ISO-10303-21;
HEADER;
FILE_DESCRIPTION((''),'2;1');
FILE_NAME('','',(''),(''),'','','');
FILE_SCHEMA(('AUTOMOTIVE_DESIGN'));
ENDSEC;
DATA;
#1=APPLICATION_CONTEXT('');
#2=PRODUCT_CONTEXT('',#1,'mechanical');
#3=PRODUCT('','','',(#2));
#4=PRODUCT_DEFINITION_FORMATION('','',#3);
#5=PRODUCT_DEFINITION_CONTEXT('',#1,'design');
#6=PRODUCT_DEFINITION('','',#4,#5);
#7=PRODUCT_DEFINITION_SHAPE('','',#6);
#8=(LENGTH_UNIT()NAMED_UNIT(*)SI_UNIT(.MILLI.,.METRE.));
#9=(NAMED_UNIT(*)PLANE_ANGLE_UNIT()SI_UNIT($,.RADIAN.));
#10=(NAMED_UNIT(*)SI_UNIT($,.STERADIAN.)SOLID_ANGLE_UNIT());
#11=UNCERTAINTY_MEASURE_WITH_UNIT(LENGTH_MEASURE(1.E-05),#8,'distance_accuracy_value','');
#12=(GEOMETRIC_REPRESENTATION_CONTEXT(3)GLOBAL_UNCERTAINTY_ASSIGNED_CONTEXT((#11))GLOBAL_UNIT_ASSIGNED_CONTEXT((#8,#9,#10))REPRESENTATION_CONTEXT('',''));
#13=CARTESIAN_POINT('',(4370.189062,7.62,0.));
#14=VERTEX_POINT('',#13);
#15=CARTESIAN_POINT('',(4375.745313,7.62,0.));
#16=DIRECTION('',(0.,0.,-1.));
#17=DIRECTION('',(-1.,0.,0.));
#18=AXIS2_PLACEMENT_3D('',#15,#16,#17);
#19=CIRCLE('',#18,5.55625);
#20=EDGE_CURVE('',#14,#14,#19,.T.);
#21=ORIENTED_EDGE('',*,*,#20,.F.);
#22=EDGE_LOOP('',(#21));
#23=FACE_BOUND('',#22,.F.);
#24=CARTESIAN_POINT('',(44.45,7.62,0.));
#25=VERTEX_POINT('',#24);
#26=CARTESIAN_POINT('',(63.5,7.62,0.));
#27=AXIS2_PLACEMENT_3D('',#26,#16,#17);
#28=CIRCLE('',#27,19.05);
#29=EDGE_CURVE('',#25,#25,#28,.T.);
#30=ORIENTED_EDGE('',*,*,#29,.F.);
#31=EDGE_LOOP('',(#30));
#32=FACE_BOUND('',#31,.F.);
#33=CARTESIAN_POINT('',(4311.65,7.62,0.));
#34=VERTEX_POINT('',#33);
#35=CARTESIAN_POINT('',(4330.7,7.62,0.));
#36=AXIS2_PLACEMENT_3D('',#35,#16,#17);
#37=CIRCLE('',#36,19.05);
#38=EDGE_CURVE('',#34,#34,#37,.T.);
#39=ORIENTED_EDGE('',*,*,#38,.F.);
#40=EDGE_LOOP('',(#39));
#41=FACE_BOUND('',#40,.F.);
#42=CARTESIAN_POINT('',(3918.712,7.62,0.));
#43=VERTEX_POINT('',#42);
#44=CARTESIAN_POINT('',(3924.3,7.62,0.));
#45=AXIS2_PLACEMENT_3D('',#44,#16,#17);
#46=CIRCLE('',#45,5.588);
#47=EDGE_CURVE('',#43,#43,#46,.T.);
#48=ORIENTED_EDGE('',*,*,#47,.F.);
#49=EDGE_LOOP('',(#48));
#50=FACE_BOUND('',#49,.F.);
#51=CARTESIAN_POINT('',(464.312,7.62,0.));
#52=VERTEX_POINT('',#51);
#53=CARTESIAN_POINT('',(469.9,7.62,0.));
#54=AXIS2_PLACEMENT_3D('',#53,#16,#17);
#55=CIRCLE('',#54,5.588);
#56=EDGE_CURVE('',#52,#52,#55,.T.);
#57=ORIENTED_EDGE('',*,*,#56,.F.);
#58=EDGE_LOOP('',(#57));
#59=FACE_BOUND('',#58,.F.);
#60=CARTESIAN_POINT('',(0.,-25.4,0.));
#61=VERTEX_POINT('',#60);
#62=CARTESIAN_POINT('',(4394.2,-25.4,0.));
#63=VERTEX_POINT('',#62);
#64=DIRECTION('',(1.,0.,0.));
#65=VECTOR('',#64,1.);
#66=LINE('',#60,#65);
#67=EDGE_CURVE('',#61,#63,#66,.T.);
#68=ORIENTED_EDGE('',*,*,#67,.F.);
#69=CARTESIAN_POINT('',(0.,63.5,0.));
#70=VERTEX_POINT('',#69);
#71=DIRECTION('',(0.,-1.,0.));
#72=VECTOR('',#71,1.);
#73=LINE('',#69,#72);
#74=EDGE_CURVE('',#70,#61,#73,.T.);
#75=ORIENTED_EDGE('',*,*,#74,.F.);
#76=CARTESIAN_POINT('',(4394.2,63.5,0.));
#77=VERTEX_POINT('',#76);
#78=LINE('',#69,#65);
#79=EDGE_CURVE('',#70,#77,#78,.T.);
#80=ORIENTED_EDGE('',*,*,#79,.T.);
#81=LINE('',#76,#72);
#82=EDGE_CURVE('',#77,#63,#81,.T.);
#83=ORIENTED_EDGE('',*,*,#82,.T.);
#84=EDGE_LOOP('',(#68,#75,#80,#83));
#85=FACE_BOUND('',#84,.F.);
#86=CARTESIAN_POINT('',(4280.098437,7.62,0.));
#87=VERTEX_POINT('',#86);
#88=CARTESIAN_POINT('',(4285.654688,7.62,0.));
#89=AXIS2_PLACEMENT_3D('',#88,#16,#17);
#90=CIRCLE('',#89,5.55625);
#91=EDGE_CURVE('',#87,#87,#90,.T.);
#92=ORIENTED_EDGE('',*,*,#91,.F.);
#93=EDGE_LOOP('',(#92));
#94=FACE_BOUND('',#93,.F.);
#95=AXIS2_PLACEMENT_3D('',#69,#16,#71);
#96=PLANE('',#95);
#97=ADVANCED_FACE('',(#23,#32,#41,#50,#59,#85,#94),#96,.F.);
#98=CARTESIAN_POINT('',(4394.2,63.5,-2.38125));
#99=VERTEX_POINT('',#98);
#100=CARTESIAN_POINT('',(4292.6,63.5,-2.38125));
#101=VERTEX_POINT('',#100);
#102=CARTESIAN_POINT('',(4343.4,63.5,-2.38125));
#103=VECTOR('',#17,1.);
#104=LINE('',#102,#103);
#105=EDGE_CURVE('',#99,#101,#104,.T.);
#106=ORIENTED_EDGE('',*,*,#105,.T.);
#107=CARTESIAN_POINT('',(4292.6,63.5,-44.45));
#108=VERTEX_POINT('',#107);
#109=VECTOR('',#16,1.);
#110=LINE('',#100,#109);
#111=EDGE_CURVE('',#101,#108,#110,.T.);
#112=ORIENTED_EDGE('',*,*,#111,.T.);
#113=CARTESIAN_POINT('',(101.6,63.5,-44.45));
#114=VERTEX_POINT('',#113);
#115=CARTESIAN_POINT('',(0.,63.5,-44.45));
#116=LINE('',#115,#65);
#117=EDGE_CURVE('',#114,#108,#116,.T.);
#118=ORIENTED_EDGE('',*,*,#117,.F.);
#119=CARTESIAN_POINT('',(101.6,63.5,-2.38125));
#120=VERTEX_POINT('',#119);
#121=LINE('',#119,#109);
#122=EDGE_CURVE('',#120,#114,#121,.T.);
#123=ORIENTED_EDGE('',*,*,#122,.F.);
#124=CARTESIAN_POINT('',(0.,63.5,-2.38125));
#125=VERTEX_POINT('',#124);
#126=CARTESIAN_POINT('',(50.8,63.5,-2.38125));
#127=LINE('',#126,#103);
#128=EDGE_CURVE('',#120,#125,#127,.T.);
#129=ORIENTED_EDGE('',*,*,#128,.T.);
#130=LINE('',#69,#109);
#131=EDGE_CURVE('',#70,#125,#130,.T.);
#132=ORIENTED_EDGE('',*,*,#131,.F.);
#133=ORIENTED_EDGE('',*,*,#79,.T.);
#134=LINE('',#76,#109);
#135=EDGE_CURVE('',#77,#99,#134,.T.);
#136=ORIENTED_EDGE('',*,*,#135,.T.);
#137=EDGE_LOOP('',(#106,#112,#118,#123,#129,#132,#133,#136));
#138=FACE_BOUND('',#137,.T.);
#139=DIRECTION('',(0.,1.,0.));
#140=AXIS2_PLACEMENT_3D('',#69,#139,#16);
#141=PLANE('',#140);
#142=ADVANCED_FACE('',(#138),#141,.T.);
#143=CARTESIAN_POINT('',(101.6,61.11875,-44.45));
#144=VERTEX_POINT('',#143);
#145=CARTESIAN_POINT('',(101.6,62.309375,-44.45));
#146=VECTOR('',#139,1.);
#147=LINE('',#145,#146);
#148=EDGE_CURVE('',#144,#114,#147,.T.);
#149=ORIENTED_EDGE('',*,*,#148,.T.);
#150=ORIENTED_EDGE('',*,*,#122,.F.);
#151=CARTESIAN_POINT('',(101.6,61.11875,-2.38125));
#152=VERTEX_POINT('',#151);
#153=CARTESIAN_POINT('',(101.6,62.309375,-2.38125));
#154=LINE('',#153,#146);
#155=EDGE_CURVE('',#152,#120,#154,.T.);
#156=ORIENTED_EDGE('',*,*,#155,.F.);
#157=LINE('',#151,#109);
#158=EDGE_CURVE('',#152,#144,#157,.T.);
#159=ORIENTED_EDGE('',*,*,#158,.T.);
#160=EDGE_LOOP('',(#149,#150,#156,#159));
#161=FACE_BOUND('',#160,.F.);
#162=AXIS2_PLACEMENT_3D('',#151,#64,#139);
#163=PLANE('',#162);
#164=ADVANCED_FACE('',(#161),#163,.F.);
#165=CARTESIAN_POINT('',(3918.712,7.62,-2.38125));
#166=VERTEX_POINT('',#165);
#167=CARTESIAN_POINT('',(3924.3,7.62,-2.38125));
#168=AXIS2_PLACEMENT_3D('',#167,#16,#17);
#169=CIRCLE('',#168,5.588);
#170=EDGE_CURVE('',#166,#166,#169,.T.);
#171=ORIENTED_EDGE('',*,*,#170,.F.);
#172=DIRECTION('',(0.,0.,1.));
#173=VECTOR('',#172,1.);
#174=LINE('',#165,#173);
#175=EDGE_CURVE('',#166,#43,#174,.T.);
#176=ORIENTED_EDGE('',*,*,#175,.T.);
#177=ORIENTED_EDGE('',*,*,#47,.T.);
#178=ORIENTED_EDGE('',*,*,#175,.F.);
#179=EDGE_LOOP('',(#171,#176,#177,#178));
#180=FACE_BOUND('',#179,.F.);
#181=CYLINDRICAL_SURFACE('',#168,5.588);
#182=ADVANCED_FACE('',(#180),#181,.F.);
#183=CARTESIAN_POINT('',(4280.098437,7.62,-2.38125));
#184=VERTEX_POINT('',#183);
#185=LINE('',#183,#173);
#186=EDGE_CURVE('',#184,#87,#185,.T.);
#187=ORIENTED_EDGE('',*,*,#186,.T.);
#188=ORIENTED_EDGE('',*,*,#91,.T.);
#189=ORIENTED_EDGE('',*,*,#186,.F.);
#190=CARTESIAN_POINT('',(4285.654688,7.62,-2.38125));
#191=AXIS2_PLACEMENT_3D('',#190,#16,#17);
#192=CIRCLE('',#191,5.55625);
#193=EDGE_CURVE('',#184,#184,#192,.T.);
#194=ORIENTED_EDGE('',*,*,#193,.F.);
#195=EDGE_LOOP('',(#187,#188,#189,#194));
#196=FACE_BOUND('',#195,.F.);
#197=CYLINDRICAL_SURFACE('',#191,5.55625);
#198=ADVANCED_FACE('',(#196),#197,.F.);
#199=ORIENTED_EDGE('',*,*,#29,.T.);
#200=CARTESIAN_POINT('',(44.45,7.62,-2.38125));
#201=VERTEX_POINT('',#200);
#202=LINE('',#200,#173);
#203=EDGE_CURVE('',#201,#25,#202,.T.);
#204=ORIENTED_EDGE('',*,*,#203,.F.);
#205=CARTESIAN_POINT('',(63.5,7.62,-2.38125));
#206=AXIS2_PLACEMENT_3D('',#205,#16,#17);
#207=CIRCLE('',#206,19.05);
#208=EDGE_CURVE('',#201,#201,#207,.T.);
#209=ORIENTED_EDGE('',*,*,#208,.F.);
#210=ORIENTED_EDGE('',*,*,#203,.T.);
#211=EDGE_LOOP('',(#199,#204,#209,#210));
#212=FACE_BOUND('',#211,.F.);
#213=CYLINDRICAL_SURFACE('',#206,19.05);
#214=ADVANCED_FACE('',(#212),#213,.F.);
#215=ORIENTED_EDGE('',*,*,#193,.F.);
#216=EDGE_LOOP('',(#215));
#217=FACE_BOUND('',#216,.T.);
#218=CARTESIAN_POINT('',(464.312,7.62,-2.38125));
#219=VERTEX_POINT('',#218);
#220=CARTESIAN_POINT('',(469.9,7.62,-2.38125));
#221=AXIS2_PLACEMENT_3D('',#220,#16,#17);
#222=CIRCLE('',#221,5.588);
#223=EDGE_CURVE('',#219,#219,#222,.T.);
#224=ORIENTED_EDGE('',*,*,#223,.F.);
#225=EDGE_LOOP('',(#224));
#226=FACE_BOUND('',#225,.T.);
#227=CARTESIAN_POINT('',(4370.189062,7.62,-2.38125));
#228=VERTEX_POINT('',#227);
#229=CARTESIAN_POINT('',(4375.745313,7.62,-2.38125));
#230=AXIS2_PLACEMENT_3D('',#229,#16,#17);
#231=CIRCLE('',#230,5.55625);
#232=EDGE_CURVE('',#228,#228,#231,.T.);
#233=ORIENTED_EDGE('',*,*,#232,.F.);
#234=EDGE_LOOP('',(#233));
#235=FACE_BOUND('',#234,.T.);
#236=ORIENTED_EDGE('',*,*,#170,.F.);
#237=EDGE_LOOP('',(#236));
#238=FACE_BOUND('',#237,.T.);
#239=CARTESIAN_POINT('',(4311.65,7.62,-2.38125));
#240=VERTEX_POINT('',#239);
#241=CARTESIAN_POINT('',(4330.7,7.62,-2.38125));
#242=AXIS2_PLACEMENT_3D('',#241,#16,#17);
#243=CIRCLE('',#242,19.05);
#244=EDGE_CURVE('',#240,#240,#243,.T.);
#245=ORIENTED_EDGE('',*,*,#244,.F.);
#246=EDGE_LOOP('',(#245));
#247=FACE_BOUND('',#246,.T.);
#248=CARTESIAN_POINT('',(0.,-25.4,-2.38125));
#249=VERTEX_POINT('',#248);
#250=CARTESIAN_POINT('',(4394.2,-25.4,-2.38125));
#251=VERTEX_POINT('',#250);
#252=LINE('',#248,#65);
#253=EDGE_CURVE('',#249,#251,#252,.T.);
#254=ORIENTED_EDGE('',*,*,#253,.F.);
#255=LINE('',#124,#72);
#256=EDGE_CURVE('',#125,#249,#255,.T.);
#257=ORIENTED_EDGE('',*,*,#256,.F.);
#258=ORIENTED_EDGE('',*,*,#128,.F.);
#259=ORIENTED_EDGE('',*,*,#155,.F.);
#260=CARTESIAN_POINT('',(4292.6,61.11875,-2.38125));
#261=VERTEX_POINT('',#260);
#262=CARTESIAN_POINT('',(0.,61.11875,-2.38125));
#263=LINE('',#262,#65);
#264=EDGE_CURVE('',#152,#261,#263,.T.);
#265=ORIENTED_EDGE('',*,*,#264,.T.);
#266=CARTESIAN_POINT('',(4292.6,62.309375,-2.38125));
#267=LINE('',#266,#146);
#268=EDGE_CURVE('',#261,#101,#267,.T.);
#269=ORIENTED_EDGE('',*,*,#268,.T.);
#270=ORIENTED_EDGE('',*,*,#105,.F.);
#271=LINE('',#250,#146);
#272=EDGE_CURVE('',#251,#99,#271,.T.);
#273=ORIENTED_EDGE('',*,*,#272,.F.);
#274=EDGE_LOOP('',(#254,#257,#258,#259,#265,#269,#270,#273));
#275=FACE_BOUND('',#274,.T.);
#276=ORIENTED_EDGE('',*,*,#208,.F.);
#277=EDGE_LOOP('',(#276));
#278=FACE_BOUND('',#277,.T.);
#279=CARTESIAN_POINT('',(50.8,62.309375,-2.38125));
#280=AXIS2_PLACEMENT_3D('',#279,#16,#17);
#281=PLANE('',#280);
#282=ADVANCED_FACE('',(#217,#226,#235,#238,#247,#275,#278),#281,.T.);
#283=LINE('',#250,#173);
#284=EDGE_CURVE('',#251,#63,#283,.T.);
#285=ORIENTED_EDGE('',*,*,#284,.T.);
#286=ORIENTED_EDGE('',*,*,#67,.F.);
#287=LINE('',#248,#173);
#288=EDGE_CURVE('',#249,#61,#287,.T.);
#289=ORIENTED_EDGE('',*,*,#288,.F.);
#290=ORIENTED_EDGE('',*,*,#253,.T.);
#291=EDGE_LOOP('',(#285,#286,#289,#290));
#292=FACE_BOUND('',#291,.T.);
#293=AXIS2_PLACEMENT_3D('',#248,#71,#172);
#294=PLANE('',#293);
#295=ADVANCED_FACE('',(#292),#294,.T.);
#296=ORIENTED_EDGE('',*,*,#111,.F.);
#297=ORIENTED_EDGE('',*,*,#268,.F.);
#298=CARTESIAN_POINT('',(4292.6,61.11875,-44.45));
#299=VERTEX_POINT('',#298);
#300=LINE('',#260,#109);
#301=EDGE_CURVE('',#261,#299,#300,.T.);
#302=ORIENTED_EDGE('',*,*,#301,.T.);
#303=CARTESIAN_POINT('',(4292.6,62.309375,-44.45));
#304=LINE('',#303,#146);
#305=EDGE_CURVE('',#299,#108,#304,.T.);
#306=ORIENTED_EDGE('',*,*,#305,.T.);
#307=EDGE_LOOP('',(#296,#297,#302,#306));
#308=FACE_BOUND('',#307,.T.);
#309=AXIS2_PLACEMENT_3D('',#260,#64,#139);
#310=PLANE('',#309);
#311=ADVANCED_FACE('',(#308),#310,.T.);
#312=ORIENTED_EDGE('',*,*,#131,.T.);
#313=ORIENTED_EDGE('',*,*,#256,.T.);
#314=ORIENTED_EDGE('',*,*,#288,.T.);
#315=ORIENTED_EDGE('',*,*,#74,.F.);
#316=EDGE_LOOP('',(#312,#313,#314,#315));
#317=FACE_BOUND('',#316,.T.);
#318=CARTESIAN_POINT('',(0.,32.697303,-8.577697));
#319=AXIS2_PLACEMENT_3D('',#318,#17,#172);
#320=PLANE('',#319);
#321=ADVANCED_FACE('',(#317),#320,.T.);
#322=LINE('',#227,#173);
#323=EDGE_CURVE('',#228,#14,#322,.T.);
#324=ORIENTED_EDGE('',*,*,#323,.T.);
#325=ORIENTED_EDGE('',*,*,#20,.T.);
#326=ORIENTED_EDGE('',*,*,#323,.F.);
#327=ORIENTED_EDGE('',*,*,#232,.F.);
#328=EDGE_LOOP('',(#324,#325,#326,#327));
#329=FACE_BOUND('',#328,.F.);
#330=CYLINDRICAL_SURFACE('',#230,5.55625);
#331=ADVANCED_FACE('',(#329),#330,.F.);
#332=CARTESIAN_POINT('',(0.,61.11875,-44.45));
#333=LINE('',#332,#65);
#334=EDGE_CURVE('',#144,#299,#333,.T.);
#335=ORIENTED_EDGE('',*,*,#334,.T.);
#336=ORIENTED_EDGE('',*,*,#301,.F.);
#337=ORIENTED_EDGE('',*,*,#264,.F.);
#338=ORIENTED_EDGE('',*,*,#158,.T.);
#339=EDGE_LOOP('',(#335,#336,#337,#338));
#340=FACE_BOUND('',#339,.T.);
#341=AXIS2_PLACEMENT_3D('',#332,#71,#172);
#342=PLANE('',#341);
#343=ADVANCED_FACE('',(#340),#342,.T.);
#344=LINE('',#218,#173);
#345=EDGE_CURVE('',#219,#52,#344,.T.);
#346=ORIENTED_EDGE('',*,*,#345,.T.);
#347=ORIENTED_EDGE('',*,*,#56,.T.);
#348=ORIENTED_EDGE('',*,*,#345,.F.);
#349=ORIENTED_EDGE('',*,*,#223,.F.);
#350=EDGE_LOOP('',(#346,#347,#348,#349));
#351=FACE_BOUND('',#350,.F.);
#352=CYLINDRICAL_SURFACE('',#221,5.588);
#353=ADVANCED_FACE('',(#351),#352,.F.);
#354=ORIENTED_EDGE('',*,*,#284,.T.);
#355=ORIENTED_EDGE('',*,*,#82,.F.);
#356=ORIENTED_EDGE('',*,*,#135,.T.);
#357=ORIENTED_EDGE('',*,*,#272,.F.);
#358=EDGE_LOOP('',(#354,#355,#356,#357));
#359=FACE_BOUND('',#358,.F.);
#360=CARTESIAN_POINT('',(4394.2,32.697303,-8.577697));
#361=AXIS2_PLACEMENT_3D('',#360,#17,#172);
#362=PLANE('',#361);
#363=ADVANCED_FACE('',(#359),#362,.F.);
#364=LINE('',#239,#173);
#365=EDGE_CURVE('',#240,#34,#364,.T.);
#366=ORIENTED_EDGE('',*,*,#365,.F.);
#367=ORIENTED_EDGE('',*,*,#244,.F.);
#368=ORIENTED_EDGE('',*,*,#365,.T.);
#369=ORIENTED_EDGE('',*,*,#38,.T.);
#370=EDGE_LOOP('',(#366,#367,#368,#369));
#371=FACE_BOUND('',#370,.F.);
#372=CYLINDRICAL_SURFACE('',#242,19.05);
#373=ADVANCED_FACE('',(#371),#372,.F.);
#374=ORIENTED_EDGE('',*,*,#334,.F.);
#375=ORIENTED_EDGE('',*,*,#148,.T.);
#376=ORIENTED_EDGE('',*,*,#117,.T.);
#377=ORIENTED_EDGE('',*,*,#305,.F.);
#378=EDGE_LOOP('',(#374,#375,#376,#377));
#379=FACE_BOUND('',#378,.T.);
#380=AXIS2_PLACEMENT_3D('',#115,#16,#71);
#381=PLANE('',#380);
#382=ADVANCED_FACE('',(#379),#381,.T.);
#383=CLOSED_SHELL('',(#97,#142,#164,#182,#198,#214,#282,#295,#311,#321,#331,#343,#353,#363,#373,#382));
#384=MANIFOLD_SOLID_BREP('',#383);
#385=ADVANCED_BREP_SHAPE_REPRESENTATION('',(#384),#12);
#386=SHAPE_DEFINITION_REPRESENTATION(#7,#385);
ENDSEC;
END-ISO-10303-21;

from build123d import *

# Parameters (mm, degrees)
BOSS_EXTRUDE1_DEPTH = 4394.2
CUT_EXTRUDE1_REACH  = 4396.86
SKETCH2_R           = 19.05
SKETCH2_R_2         = 5.55625
CUT_EXTRUDE4_REACH  = 4396.86
SKETCH3_W           = 101.6
SKETCH3_H           = 2.38125
SKETCH4_R           = 5.588
SKETCH4_R_2         = 19.05
CUT_EXTRUDE5_DEPTH  = 2.38125


with BuildPart() as part:
    # Sketch1 → Boss-Extrude1 (new body)
    with BuildSketch(Plane(origin=(0, 0, 0), x_dir=(0, 0, -1), z_dir=(1, 0, 0))):
        Polygon((0, 0), (0, 63.5), (44.45, 63.5), (44.45, 61.11875), (2.38125, 61.11875), (2.38125, 0), (2.38125, -25.4), (0, -25.4), align=None)
    extrude(amount=BOSS_EXTRUDE1_DEPTH)

    # Sketch2 → Cut-Extrude1 (cut, up to next)
    with BuildSketch(Plane(origin=(0, 0, -2.38125), x_dir=(-1, 0, 0), z_dir=(0, 0, -1)), mode=Mode.PRIVATE) as cut_extrude1_sk1:
        with Locations((-4330.7, 7.62)):
            Circle(SKETCH2_R)
    cut_extrude1_tool1 = extrude(cut_extrude1_sk1.sketch, amount=-CUT_EXTRUDE1_REACH, mode=Mode.PRIVATE) & part.part
    # Sketch2 → Cut-Extrude1 (cut, up to next)
    with BuildSketch(Plane(origin=(0, 0, -2.38125), x_dir=(-1, 0, 0), z_dir=(0, 0, -1)), mode=Mode.PRIVATE) as cut_extrude1_sk2:
        with Locations((-63.5, 7.62)):
            Circle(SKETCH2_R)
    cut_extrude1_tool2 = extrude(cut_extrude1_sk2.sketch, amount=-CUT_EXTRUDE1_REACH, mode=Mode.PRIVATE) & part.part
    # Sketch2 → Cut-Extrude1 (cut, up to next)
    with BuildSketch(Plane(origin=(0, 0, -2.38125), x_dir=(-1, 0, 0), z_dir=(0, 0, -1)), mode=Mode.PRIVATE) as cut_extrude1_sk3:
        with Locations((-4285.6546875, 7.62)):
            Circle(SKETCH2_R_2)
    cut_extrude1_tool3 = extrude(cut_extrude1_sk3.sketch, amount=-CUT_EXTRUDE1_REACH, mode=Mode.PRIVATE) & part.part
    # Sketch2 → Cut-Extrude1 (cut, up to next)
    with BuildSketch(Plane(origin=(0, 0, -2.38125), x_dir=(-1, 0, 0), z_dir=(0, 0, -1)), mode=Mode.PRIVATE) as cut_extrude1_sk4:
        with Locations((-4375.7453125, 7.62)):
            Circle(SKETCH2_R_2)
    cut_extrude1_tool4 = extrude(cut_extrude1_sk4.sketch, amount=-CUT_EXTRUDE1_REACH, mode=Mode.PRIVATE) & part.part
    add(cut_extrude1_tool1.solids().sort_by_distance((4330.7, 7.62, -2.38125))[0], mode=Mode.SUBTRACT)
    add(cut_extrude1_tool2.solids().sort_by_distance((63.5, 7.62, -2.38125))[0], mode=Mode.SUBTRACT)
    add(cut_extrude1_tool3.solids().sort_by_distance((4285.654687, 7.62, -2.38125))[0], mode=Mode.SUBTRACT)
    add(cut_extrude1_tool4.solids().sort_by_distance((4375.745312, 7.62, -2.38125))[0], mode=Mode.SUBTRACT)

    # Sketch3 → Cut-Extrude4 (cut, up to next)
    with BuildSketch(Plane(origin=(0, 0, -2.38125), x_dir=(-1, 0, 0), z_dir=(0, 0, -1)), mode=Mode.PRIVATE) as cut_extrude4_sk1:
        with Locations((-4343.4, 62.309375)):
            Rectangle(SKETCH3_W, SKETCH3_H)
    cut_extrude4_tool1 = extrude(cut_extrude4_sk1.sketch, amount=CUT_EXTRUDE4_REACH, mode=Mode.PRIVATE) & part.part
    # Sketch3 → Cut-Extrude4 (cut, up to next)
    with BuildSketch(Plane(origin=(0, 0, -2.38125), x_dir=(-1, 0, 0), z_dir=(0, 0, -1)), mode=Mode.PRIVATE) as cut_extrude4_sk2:
        with Locations((-50.8, 62.309375)):
            Rectangle(SKETCH3_W, SKETCH3_H)
    cut_extrude4_tool2 = extrude(cut_extrude4_sk2.sketch, amount=CUT_EXTRUDE4_REACH, mode=Mode.PRIVATE) & part.part
    add(cut_extrude4_tool1.solids().sort_by_distance((4343.4, 62.309375, -2.38125))[0], mode=Mode.SUBTRACT)
    add(cut_extrude4_tool2.solids().sort_by_distance((50.8, 62.309375, -2.38125))[0], mode=Mode.SUBTRACT)

    # Sketch4 → Cut-Extrude5 (cut)
    with BuildSketch(Plane(origin=(0, 0, -2.38125), x_dir=(-1, 0, 0), z_dir=(0, 0, -1))):
        with Locations((-3924.3, 7.62)):
            Circle(SKETCH4_R)
        with Locations((-469.9, 7.62)):
            Circle(SKETCH4_R)
        with Locations((-63.5, 7.62)):
            Circle(SKETCH4_R_2)
    extrude(amount=-CUT_EXTRUDE5_DEPTH, mode=Mode.SUBTRACT)


solid = part.part
